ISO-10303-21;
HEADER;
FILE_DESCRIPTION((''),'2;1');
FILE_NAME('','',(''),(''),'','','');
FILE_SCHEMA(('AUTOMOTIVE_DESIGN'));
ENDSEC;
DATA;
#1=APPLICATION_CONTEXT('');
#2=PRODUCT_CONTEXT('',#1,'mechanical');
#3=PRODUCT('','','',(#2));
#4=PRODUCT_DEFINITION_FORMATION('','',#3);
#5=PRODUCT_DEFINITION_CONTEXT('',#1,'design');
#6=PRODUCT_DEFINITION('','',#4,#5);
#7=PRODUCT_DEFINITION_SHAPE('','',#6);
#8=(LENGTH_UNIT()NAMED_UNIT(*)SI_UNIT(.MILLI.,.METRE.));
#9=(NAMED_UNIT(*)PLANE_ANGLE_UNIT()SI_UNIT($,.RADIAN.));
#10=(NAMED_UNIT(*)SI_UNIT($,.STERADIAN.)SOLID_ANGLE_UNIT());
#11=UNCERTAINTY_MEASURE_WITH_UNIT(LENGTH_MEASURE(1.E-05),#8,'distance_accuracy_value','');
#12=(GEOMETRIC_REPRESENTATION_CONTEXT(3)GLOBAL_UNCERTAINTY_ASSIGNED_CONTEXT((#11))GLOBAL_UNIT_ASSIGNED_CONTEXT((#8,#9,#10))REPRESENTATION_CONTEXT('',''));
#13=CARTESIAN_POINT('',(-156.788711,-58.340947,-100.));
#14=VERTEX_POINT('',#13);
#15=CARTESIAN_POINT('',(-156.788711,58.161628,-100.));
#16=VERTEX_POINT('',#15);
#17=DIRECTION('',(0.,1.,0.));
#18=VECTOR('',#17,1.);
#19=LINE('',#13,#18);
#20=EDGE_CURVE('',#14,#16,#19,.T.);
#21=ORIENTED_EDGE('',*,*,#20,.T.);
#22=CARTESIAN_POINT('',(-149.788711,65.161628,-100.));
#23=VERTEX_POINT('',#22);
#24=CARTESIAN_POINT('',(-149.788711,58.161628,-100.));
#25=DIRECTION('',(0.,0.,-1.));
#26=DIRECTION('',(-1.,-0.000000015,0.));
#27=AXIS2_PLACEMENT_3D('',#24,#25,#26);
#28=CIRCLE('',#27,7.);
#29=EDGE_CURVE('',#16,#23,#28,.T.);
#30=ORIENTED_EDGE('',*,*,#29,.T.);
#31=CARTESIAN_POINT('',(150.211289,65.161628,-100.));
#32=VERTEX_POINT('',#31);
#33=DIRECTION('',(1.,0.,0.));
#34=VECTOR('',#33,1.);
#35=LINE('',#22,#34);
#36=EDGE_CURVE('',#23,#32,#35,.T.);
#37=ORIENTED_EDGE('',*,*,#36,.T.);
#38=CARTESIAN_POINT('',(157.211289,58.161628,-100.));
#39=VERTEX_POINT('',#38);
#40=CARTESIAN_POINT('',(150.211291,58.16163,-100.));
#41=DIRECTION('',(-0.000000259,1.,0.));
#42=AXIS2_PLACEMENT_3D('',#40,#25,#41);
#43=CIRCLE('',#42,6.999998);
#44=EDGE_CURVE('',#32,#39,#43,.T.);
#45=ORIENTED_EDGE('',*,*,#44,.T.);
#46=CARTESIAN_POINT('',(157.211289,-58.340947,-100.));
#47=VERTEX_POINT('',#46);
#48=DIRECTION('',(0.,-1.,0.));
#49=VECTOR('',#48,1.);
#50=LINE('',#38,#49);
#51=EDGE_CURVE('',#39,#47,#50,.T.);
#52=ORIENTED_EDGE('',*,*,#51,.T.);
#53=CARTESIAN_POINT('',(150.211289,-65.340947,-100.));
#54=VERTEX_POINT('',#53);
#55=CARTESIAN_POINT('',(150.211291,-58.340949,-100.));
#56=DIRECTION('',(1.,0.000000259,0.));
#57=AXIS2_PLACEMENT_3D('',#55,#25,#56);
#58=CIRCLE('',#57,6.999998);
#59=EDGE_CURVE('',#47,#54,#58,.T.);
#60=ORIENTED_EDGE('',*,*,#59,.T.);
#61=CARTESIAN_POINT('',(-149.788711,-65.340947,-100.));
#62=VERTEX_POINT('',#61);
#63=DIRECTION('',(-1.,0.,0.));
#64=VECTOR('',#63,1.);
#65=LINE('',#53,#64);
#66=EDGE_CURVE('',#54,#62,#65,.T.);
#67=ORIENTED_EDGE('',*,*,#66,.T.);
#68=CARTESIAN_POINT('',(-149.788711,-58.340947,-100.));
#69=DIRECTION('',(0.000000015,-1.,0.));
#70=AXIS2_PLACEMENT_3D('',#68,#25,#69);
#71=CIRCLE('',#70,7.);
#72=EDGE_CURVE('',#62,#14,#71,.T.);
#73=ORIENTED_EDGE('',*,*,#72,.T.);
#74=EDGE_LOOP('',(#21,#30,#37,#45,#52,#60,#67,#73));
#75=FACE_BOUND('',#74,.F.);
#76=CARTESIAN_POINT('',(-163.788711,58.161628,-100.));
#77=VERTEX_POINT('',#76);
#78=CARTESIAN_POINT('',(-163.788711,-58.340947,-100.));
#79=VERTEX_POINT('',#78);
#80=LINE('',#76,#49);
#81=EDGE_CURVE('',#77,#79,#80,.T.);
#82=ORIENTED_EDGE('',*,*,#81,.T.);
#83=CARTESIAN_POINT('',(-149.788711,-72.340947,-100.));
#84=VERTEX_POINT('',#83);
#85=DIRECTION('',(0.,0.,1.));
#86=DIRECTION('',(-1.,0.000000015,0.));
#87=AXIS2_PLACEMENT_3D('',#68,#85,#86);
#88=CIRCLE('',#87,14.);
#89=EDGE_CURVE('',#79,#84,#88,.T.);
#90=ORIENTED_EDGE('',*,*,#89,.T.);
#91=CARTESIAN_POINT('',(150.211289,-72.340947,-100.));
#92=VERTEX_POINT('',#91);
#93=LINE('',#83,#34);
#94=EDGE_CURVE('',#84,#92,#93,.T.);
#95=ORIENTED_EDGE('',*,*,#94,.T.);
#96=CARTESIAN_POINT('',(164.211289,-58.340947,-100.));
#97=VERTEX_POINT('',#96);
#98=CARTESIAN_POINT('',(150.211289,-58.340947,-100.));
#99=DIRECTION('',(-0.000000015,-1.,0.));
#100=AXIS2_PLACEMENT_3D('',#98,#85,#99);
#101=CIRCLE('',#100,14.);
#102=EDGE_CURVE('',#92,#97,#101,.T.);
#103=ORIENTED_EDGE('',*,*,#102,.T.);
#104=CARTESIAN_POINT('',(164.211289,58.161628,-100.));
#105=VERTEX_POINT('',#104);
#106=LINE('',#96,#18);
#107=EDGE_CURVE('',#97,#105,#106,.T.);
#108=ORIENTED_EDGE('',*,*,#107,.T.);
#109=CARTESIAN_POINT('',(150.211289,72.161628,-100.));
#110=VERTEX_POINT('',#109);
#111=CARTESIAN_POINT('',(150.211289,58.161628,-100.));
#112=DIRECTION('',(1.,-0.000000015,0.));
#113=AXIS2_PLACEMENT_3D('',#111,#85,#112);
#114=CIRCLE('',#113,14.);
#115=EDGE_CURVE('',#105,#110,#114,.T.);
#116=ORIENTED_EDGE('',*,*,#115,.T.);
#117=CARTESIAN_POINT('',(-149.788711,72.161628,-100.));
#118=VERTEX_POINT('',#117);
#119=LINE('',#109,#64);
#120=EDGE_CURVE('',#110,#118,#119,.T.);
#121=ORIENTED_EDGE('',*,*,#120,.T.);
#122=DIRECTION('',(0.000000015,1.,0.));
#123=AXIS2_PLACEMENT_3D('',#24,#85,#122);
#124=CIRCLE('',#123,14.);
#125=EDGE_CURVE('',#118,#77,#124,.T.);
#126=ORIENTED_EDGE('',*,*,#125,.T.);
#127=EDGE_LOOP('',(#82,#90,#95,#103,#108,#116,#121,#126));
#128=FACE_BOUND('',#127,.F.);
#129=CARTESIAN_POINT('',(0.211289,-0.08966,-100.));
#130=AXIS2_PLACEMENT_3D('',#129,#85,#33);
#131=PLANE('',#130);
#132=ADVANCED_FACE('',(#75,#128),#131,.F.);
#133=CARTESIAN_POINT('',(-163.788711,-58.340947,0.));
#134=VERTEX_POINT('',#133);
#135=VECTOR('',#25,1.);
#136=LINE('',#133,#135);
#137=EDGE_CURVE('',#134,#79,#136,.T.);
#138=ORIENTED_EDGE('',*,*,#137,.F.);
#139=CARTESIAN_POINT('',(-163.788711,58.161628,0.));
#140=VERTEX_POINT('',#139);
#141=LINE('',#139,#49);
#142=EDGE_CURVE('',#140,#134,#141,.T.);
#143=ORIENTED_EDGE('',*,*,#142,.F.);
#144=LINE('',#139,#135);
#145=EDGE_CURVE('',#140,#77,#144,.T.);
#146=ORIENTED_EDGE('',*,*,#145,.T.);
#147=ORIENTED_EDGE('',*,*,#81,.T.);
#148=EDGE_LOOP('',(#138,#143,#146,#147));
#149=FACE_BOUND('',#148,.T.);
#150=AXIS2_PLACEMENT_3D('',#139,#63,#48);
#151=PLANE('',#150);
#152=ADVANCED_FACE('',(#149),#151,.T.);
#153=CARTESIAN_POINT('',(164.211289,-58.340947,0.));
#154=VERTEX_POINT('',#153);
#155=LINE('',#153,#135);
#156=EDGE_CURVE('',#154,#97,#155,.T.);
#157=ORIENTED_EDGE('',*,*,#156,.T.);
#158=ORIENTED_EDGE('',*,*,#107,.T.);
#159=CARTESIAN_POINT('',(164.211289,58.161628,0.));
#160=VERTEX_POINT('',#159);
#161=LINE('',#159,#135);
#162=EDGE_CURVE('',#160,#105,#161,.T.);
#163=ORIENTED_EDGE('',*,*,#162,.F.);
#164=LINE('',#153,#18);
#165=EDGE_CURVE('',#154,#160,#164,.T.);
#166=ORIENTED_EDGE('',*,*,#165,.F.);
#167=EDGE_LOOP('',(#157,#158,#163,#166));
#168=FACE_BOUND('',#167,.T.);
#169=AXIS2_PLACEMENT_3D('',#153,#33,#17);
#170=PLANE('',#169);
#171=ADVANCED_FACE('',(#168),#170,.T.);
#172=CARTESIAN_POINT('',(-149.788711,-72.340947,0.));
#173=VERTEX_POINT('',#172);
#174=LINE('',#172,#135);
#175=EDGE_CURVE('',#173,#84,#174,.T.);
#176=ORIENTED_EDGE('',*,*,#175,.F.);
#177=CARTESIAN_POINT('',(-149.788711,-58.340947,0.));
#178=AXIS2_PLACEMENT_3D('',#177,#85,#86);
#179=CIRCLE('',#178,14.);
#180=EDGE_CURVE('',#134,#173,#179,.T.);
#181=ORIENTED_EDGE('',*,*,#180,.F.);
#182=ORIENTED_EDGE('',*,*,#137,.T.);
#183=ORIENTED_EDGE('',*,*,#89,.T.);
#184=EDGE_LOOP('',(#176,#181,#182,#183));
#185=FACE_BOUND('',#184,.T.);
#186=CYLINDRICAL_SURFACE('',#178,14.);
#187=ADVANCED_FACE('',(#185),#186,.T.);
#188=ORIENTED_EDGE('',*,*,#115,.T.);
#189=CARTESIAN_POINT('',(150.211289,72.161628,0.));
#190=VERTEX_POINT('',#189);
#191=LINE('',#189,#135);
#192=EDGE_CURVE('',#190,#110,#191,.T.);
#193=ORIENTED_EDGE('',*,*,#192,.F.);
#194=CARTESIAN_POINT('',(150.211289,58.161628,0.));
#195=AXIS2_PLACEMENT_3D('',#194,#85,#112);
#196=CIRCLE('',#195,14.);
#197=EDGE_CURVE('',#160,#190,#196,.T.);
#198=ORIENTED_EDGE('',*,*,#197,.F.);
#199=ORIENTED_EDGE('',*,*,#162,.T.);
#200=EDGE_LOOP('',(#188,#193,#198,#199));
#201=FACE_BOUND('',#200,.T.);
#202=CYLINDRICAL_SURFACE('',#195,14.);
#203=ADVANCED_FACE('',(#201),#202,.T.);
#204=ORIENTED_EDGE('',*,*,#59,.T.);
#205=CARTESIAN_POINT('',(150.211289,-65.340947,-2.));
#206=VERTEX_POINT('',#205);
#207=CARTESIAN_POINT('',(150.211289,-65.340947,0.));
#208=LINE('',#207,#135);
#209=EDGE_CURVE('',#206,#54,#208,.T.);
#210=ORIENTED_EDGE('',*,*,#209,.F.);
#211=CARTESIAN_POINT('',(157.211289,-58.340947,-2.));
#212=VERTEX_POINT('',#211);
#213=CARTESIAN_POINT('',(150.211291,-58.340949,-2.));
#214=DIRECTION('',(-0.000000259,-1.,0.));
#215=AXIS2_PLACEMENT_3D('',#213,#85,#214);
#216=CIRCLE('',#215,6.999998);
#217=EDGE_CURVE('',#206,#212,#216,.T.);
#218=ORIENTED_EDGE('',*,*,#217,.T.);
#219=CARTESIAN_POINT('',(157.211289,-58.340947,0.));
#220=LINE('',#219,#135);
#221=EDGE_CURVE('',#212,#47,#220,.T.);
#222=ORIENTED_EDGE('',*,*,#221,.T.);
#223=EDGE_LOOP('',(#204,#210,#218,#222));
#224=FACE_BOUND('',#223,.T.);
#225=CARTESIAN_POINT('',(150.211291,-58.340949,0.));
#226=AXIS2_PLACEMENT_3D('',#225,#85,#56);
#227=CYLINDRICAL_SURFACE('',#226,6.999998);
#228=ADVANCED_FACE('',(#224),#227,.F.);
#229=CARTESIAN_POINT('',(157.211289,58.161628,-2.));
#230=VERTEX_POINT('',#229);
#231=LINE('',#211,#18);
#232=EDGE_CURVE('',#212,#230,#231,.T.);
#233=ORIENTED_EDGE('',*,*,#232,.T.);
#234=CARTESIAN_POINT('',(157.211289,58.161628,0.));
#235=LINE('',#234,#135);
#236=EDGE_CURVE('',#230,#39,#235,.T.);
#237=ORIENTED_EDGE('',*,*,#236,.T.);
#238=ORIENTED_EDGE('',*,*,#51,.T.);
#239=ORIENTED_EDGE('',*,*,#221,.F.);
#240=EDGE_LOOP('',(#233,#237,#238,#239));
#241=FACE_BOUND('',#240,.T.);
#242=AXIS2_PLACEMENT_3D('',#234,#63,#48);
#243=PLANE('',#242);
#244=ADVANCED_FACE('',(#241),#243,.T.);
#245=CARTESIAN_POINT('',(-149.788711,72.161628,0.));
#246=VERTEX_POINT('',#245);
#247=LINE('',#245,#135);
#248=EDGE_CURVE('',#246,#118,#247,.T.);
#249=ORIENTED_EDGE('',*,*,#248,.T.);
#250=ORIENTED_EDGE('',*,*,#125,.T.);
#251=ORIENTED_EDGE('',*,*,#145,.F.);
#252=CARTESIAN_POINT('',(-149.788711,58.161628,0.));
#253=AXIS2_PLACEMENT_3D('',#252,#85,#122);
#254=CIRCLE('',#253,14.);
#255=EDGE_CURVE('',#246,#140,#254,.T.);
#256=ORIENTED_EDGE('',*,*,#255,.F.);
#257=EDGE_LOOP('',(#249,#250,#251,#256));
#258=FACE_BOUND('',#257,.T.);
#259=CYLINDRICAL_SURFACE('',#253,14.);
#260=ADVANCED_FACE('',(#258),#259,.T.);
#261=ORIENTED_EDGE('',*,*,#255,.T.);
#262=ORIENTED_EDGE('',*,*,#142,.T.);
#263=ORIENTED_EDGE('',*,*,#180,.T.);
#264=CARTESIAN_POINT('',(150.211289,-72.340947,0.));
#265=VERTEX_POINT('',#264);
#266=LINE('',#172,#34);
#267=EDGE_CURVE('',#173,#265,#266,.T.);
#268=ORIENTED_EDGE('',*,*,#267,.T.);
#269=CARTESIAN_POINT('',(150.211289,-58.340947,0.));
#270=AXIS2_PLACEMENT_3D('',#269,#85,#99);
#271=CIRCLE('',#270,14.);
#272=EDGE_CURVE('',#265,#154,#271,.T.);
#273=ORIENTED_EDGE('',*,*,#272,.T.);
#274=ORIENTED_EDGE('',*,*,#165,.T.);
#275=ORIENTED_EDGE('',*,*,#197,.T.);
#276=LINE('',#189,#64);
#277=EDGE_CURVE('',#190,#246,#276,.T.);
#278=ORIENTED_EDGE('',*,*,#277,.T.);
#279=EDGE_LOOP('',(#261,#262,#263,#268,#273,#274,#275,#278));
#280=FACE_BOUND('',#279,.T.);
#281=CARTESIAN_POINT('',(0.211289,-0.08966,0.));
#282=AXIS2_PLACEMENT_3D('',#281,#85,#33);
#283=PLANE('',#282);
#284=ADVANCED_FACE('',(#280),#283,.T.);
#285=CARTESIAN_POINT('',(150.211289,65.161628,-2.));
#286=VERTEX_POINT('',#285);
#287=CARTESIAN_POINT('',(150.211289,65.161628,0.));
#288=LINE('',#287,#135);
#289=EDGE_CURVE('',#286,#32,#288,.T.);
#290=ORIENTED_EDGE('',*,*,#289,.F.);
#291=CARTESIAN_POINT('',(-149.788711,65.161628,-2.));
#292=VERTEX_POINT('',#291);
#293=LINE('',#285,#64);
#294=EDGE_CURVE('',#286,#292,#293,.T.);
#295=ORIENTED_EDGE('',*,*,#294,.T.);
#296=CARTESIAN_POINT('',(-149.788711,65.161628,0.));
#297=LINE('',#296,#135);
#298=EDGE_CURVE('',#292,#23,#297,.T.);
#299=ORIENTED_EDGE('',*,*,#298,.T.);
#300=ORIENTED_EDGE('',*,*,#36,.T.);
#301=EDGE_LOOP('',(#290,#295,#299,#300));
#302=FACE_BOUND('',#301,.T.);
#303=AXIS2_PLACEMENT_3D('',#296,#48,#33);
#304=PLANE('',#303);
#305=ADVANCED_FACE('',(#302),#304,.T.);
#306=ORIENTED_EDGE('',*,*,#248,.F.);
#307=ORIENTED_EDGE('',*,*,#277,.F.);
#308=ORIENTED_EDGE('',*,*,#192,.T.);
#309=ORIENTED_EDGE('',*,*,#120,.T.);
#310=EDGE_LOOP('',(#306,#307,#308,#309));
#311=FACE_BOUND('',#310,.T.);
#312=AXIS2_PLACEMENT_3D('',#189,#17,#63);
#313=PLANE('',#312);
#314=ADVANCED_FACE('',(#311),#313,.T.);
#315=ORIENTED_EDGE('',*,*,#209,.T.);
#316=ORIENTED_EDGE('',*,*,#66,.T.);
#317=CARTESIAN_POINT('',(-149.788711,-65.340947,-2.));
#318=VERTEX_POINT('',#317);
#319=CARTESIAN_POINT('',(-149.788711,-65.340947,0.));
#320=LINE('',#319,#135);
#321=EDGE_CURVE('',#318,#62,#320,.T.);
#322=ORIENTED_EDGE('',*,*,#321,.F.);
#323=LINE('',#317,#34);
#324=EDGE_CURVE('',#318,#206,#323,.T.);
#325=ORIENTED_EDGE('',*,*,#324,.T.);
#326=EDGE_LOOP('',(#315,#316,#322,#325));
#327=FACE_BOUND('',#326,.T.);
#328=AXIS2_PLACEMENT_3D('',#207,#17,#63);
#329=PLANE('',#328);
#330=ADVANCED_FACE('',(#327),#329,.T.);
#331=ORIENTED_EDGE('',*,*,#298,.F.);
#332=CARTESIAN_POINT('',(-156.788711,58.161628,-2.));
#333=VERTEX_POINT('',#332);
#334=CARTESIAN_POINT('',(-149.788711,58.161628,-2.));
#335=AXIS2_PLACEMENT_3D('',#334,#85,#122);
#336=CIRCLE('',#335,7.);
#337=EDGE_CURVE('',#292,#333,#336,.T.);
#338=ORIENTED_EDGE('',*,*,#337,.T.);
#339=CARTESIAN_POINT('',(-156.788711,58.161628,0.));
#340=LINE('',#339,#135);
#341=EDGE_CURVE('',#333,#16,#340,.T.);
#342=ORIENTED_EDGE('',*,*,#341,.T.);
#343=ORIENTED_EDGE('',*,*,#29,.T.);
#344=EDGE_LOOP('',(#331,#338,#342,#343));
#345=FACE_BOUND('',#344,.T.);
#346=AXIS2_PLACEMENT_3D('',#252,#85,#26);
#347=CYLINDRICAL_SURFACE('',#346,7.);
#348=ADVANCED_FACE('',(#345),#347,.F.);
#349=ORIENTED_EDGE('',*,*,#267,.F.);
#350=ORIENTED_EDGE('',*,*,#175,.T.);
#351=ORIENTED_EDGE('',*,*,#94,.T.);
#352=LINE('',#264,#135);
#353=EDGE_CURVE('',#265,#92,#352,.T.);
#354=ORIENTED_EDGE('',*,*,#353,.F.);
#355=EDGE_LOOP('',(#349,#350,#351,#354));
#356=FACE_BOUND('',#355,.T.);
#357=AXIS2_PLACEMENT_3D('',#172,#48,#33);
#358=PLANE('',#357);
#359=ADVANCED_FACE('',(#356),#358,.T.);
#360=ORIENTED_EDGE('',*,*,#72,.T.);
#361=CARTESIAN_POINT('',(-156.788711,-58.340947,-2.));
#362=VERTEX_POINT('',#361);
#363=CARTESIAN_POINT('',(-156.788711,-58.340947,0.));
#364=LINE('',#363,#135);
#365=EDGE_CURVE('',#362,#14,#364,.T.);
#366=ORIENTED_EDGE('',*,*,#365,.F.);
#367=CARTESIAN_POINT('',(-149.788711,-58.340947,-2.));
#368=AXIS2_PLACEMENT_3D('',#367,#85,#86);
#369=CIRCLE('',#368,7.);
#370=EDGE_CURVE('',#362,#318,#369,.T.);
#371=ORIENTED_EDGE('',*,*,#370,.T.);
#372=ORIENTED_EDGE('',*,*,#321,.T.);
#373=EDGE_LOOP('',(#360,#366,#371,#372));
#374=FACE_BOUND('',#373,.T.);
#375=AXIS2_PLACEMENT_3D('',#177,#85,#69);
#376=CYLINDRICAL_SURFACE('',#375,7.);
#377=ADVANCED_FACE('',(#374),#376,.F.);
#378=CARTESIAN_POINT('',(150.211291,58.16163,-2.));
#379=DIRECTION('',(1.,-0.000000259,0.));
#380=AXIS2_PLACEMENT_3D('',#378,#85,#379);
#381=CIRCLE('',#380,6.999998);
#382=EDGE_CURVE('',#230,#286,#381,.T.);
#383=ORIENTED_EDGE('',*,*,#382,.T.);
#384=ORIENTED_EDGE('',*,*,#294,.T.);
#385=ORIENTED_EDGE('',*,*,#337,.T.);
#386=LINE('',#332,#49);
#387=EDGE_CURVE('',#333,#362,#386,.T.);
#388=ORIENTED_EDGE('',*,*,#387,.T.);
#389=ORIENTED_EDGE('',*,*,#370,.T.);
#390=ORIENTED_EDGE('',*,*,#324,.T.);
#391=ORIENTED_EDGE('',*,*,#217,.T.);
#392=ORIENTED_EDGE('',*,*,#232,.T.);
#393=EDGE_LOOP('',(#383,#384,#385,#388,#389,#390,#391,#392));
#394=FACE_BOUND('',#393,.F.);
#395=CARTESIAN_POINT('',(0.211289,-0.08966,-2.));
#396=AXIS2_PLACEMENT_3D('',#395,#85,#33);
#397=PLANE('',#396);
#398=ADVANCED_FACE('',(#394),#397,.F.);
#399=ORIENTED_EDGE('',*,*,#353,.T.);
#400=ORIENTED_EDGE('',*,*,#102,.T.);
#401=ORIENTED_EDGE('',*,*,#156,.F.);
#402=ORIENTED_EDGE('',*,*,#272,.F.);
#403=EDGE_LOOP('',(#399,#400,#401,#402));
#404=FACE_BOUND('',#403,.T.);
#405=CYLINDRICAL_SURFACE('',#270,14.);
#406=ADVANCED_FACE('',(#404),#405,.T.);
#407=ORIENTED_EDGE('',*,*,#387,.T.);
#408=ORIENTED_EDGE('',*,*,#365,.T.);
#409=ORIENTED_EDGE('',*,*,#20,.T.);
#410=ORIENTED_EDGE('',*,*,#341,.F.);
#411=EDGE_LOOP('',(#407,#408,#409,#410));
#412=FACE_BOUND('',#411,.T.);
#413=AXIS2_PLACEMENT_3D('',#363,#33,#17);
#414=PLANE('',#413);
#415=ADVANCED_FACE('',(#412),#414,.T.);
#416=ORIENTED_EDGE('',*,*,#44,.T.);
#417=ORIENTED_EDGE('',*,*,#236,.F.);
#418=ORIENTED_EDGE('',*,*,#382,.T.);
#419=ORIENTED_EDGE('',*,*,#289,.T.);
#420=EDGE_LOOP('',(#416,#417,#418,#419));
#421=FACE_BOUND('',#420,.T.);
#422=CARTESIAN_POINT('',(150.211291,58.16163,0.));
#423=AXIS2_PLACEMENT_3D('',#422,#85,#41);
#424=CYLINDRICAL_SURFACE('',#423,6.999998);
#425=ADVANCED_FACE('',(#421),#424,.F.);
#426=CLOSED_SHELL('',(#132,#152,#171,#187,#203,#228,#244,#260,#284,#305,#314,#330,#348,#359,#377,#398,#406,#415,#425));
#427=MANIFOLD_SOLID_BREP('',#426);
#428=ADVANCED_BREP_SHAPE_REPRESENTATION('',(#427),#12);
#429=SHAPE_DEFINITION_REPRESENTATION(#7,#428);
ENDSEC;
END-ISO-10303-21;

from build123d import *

# Parameters (mm, degrees)
F1_DEPTH = 100
F2_DEPTH = 2


with BuildPart() as f1:
    # F0 (on Top) → F1 (new body)
    with BuildSketch(Plane.XY):
        with BuildLine():
            Line((150.211289, 72.161628), (-149.788711, 72.161628))
            ThreePointArc((-149.788711, 72.161628), (-159.688206, 68.061123), (-163.788711, 58.161628))
            Line((-163.788711, 58.161628), (-163.788711, -58.340947))
            ThreePointArc((-163.788711, -58.340947), (-159.688206, -68.240442), (-149.788711, -72.340947))
            Line((-149.788711, -72.340947), (150.211289, -72.340947))
            ThreePointArc((150.211289, -72.340947), (160.110784, -68.240442), (164.211289, -58.340947))
            Line((164.211289, -58.340947), (164.211289, 58.161628))
            ThreePointArc((164.211289, 58.161628), (160.110784, 68.061123), (150.211289, 72.161628))
        make_face()
        with BuildLine():
            ThreePointArc((-156.788711, 58.161628), (-154.738458, 63.111376), (-149.788711, 65.161628))
            Line((-149.788711, 65.161628), (150.211289, 65.161628))
            ThreePointArc((150.211289, 65.161628), (155.161037, 63.111376), (157.211289, 58.161628))
            Line((157.211289, 58.161628), (157.211289, -58.340947))
            ThreePointArc((157.211289, -58.340947), (155.161037, -63.290695), (150.211289, -65.340947))
            Line((150.211289, -65.340947), (-149.788711, -65.340947))
            ThreePointArc((-149.788711, -65.340947), (-154.738458, -63.290695), (-156.788711, -58.340947))
            Line((-156.788711, -58.340947), (-156.788711, 58.161628))
        make_face(mode=Mode.SUBTRACT)
    extrude(amount=-F1_DEPTH)

    # F0 (on Top) → F2 (join)
    with BuildSketch(Plane.XY):
        with BuildLine():
            Line((150.211289, 65.161628), (-149.788711, 65.161628))
            ThreePointArc((-149.788711, 65.161628), (-154.738458, 63.111376), (-156.788711, 58.161628))
            Line((-156.788711, 58.161628), (-156.788711, -58.340947))
            ThreePointArc((-156.788711, -58.340947), (-154.738458, -63.290695), (-149.788711, -65.340947))
            Line((-149.788711, -65.340947), (150.211289, -65.340947))
            ThreePointArc((150.211289, -65.340947), (155.161037, -63.290695), (157.211289, -58.340947))
            Line((157.211289, -58.340947), (157.211289, 58.161628))
            ThreePointArc((157.211289, 58.161628), (155.161037, 63.111376), (150.211289, 65.161628))
        make_face()
    extrude(amount=-F2_DEPTH)


solid = f1.part
